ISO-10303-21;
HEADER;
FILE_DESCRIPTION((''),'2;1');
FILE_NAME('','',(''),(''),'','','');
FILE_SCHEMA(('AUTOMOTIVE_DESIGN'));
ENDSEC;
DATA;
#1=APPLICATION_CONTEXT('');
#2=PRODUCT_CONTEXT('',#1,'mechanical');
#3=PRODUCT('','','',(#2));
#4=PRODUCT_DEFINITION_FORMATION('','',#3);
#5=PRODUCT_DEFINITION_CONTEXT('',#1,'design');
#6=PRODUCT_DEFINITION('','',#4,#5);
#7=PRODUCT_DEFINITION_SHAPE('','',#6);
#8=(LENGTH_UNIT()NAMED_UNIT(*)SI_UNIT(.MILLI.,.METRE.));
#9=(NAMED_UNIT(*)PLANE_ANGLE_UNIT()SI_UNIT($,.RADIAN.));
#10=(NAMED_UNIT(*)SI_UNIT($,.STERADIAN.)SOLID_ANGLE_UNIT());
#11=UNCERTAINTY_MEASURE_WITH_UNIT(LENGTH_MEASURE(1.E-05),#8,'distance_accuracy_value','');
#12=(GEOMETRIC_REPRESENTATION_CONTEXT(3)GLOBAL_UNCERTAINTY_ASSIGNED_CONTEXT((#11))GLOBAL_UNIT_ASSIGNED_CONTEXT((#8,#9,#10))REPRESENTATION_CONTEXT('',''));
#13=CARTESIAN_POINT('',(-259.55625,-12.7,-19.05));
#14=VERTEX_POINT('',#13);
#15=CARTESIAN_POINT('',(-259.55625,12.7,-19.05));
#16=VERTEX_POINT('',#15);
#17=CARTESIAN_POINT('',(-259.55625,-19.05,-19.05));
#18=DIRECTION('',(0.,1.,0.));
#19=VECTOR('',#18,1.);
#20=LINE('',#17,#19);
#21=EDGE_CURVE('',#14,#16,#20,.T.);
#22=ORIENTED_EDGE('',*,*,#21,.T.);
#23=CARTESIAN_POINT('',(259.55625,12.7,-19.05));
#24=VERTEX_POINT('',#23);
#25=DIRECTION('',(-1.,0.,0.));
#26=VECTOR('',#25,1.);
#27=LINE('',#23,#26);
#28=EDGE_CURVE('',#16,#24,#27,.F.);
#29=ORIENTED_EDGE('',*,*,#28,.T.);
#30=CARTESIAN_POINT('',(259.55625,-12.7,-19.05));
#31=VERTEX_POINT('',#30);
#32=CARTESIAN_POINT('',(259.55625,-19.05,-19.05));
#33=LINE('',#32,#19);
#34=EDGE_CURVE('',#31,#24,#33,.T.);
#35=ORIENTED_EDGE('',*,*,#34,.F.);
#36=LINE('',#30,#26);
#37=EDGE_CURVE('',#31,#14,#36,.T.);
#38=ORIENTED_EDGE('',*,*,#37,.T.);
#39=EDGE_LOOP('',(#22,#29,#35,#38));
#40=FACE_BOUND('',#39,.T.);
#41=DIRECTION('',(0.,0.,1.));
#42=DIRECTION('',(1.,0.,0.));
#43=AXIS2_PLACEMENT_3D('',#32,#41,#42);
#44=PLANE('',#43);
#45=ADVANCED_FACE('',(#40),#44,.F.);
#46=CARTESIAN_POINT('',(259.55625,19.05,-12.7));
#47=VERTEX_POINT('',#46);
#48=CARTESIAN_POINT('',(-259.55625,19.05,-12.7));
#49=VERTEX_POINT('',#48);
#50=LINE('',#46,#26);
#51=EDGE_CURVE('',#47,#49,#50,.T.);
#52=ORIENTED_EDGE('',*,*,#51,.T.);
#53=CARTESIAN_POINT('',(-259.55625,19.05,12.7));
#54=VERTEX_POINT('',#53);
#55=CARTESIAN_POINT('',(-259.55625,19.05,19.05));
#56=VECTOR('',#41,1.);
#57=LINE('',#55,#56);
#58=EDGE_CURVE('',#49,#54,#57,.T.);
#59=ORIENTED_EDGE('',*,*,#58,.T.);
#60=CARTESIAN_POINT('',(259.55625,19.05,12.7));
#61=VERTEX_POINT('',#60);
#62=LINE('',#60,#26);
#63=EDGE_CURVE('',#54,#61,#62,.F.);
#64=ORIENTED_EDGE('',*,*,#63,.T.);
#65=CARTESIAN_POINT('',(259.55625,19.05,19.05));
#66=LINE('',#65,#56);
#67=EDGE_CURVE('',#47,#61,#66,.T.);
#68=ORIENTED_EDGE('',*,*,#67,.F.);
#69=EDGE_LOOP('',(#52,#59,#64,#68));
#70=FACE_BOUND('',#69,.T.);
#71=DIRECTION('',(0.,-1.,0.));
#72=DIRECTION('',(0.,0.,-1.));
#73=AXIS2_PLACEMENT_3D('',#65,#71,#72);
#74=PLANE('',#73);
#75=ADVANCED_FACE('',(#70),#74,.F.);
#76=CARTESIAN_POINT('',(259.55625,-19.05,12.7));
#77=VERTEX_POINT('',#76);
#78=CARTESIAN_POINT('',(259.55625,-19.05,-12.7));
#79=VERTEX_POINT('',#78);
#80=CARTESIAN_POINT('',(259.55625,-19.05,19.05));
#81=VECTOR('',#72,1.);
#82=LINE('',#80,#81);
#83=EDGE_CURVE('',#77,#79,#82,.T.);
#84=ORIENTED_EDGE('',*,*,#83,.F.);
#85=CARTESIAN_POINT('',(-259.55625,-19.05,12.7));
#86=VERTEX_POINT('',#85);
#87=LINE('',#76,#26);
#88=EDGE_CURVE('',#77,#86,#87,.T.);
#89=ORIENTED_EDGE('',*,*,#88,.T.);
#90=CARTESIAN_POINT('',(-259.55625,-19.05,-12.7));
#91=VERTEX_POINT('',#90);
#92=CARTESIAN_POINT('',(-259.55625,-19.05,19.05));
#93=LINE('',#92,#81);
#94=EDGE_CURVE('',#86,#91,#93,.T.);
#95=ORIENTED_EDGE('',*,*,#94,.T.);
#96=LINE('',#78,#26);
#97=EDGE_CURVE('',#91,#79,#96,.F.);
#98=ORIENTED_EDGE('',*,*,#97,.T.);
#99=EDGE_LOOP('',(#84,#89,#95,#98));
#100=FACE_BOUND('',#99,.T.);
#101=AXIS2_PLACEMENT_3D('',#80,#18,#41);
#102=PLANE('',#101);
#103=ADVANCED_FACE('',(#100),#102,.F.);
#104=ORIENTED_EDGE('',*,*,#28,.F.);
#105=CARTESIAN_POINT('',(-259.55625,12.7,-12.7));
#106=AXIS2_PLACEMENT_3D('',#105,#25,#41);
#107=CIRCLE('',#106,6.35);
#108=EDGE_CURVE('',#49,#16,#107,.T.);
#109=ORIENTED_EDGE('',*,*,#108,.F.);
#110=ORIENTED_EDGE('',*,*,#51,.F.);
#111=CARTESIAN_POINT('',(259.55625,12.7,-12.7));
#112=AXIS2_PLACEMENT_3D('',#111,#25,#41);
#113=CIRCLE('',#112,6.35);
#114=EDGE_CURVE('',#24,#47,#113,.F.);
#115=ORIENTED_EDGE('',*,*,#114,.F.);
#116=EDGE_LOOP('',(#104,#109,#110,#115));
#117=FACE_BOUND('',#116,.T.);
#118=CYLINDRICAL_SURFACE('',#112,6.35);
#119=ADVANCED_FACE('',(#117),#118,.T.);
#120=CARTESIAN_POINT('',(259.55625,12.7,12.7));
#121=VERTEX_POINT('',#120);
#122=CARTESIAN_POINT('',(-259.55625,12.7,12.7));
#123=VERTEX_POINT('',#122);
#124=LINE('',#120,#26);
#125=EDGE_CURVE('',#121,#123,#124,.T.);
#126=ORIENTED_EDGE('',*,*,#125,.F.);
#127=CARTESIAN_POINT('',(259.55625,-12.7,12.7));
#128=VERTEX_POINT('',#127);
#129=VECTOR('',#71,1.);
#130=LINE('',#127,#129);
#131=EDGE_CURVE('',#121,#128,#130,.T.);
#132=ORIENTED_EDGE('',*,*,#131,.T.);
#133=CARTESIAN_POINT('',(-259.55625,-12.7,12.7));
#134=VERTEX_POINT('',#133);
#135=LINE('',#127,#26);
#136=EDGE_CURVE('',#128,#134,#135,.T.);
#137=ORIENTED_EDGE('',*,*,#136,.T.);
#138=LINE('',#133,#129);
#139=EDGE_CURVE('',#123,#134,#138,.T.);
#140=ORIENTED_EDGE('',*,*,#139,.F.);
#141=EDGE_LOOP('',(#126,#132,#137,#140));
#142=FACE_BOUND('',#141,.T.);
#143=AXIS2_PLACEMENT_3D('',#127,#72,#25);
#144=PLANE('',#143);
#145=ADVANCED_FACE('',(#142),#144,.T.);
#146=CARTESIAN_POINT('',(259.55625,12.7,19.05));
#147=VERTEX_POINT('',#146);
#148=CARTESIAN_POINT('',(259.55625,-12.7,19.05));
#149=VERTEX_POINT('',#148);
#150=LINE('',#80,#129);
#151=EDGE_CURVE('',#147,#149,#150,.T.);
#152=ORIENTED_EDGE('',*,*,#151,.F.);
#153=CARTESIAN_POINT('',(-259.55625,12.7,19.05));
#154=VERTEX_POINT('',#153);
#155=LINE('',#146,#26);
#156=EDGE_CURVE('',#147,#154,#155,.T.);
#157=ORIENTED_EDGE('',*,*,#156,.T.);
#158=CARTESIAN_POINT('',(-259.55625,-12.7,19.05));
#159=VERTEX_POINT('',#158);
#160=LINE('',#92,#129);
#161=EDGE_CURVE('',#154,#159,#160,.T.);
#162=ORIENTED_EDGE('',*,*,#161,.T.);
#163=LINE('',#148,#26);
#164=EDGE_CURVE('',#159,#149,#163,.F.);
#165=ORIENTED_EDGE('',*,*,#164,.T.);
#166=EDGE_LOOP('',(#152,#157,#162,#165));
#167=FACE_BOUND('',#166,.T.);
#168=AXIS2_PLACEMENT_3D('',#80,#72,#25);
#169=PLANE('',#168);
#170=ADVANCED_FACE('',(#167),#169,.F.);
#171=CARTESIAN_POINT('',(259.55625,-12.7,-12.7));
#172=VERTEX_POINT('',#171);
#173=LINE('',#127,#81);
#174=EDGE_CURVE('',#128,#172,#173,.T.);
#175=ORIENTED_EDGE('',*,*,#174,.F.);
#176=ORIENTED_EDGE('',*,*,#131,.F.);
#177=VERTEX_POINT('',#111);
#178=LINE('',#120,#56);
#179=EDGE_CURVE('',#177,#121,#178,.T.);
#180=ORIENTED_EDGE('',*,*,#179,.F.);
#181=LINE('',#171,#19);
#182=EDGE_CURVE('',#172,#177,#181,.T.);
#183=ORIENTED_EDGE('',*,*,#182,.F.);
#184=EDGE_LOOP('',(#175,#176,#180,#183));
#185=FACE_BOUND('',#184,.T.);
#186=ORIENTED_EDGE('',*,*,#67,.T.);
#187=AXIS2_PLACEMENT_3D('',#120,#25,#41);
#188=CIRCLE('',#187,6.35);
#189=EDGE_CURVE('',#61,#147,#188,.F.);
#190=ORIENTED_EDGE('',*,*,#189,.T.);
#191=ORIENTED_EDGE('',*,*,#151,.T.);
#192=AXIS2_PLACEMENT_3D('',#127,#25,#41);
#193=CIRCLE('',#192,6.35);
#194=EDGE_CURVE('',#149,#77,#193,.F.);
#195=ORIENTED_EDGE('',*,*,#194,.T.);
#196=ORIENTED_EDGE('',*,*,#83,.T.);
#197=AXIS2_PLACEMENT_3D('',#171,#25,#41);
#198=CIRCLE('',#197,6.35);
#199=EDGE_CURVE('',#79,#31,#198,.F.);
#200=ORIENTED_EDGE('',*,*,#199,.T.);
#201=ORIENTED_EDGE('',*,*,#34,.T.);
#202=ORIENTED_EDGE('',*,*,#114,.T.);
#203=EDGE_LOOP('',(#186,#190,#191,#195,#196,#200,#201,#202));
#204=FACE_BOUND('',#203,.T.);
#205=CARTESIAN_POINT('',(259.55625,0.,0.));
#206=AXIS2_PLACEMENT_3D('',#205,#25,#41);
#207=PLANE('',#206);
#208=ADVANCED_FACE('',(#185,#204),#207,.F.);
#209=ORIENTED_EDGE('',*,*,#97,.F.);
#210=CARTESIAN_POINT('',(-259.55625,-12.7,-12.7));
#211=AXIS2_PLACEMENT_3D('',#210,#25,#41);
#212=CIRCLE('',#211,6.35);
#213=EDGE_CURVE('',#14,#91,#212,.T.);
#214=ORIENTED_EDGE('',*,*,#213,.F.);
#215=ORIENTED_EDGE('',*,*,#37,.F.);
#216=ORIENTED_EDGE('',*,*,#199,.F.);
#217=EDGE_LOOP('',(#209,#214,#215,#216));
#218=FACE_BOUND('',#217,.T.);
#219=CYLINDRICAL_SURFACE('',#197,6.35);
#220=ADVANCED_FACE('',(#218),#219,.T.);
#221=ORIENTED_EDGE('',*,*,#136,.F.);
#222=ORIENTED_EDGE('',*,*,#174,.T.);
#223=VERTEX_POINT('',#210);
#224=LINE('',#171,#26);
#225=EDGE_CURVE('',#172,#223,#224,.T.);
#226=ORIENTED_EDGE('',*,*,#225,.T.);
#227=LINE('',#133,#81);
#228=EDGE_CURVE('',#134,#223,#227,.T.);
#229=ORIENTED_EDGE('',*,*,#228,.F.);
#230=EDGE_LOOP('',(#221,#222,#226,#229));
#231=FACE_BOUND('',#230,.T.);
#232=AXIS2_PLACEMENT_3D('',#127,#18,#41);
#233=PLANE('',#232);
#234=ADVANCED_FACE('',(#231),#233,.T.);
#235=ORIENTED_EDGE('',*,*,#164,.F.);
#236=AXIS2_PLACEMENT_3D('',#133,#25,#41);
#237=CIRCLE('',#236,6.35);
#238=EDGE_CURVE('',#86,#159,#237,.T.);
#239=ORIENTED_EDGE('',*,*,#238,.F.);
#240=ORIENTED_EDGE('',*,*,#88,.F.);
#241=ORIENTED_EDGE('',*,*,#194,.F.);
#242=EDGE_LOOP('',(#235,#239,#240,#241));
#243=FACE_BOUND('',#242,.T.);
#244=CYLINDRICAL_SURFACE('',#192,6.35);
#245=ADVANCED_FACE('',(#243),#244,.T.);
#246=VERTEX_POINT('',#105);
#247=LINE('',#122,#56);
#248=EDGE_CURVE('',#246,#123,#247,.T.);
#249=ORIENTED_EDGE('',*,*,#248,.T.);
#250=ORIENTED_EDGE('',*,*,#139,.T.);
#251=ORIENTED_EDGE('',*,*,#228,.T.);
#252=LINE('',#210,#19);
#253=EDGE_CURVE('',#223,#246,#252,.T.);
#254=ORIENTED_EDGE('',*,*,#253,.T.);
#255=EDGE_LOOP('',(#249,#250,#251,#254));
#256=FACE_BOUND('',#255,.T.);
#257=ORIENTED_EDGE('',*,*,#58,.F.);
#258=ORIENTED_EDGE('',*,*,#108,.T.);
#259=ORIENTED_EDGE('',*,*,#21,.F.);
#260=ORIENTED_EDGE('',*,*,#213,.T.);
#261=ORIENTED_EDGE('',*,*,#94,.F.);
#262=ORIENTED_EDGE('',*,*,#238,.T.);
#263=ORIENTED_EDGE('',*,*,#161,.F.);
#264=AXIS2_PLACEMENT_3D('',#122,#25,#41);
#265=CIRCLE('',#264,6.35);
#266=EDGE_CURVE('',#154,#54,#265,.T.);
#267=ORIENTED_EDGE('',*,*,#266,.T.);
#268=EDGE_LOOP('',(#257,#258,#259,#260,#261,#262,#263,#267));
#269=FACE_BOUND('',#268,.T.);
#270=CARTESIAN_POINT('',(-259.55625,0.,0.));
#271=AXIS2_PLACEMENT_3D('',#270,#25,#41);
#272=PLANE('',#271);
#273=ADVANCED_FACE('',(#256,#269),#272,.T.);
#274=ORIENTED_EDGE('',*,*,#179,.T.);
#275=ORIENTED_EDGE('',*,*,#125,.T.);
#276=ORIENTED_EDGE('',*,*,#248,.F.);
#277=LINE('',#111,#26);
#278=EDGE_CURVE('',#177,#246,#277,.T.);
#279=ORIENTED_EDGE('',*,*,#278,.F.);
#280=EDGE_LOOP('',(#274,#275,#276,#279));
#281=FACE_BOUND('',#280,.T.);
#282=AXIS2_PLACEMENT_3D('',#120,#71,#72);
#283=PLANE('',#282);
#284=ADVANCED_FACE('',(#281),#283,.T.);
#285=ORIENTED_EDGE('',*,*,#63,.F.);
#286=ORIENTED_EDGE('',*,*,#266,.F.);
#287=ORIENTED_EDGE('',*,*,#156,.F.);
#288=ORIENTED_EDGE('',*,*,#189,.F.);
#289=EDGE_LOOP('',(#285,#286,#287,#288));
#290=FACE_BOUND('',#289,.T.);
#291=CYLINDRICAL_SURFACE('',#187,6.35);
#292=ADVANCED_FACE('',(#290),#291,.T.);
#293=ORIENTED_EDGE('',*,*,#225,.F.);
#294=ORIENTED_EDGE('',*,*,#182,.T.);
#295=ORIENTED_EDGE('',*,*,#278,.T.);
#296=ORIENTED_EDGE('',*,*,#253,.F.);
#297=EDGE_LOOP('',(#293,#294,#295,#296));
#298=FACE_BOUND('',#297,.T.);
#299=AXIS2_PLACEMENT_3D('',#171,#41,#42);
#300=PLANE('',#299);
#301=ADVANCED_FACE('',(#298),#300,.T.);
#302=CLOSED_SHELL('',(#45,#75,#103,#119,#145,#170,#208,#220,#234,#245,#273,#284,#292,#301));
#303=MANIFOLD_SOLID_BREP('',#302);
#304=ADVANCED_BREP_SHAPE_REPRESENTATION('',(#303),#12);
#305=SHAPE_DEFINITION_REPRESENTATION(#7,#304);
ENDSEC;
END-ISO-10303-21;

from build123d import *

# Parameters (mm, degrees)
SKETCH1_W           = 38.1
SKETCH1_H           = 38.1
SKETCH1_W_2         = 25.4
SKETCH1_H_2         = 25.4
BOSS_EXTRUDE1_DEPTH = 259.55625
FILLET1_R           = 6.35


with BuildPart() as part:
    # Sketch1 → Boss-Extrude1 (new body, symmetric)
    with BuildSketch(Plane(origin=(0, 0, 0), x_dir=(0, 0, -1), z_dir=(1, 0, 0))):
        Rectangle(SKETCH1_W, SKETCH1_H)
        Rectangle(SKETCH1_W_2, SKETCH1_H_2, mode=Mode.SUBTRACT)
    extrude(amount=BOSS_EXTRUDE1_DEPTH, both=True)

    # Fillet1
    fillet1_edges = [part.edges().sort_by_distance(p)[0] for p in [
        (0, -19.05, -19.05),
        (0, -19.05, 19.05),
        (0, 19.05, 19.05),
        (0, 19.05, -19.05),
    ]]
    fillet(fillet1_edges, radius=FILLET1_R)


solid = part.part
